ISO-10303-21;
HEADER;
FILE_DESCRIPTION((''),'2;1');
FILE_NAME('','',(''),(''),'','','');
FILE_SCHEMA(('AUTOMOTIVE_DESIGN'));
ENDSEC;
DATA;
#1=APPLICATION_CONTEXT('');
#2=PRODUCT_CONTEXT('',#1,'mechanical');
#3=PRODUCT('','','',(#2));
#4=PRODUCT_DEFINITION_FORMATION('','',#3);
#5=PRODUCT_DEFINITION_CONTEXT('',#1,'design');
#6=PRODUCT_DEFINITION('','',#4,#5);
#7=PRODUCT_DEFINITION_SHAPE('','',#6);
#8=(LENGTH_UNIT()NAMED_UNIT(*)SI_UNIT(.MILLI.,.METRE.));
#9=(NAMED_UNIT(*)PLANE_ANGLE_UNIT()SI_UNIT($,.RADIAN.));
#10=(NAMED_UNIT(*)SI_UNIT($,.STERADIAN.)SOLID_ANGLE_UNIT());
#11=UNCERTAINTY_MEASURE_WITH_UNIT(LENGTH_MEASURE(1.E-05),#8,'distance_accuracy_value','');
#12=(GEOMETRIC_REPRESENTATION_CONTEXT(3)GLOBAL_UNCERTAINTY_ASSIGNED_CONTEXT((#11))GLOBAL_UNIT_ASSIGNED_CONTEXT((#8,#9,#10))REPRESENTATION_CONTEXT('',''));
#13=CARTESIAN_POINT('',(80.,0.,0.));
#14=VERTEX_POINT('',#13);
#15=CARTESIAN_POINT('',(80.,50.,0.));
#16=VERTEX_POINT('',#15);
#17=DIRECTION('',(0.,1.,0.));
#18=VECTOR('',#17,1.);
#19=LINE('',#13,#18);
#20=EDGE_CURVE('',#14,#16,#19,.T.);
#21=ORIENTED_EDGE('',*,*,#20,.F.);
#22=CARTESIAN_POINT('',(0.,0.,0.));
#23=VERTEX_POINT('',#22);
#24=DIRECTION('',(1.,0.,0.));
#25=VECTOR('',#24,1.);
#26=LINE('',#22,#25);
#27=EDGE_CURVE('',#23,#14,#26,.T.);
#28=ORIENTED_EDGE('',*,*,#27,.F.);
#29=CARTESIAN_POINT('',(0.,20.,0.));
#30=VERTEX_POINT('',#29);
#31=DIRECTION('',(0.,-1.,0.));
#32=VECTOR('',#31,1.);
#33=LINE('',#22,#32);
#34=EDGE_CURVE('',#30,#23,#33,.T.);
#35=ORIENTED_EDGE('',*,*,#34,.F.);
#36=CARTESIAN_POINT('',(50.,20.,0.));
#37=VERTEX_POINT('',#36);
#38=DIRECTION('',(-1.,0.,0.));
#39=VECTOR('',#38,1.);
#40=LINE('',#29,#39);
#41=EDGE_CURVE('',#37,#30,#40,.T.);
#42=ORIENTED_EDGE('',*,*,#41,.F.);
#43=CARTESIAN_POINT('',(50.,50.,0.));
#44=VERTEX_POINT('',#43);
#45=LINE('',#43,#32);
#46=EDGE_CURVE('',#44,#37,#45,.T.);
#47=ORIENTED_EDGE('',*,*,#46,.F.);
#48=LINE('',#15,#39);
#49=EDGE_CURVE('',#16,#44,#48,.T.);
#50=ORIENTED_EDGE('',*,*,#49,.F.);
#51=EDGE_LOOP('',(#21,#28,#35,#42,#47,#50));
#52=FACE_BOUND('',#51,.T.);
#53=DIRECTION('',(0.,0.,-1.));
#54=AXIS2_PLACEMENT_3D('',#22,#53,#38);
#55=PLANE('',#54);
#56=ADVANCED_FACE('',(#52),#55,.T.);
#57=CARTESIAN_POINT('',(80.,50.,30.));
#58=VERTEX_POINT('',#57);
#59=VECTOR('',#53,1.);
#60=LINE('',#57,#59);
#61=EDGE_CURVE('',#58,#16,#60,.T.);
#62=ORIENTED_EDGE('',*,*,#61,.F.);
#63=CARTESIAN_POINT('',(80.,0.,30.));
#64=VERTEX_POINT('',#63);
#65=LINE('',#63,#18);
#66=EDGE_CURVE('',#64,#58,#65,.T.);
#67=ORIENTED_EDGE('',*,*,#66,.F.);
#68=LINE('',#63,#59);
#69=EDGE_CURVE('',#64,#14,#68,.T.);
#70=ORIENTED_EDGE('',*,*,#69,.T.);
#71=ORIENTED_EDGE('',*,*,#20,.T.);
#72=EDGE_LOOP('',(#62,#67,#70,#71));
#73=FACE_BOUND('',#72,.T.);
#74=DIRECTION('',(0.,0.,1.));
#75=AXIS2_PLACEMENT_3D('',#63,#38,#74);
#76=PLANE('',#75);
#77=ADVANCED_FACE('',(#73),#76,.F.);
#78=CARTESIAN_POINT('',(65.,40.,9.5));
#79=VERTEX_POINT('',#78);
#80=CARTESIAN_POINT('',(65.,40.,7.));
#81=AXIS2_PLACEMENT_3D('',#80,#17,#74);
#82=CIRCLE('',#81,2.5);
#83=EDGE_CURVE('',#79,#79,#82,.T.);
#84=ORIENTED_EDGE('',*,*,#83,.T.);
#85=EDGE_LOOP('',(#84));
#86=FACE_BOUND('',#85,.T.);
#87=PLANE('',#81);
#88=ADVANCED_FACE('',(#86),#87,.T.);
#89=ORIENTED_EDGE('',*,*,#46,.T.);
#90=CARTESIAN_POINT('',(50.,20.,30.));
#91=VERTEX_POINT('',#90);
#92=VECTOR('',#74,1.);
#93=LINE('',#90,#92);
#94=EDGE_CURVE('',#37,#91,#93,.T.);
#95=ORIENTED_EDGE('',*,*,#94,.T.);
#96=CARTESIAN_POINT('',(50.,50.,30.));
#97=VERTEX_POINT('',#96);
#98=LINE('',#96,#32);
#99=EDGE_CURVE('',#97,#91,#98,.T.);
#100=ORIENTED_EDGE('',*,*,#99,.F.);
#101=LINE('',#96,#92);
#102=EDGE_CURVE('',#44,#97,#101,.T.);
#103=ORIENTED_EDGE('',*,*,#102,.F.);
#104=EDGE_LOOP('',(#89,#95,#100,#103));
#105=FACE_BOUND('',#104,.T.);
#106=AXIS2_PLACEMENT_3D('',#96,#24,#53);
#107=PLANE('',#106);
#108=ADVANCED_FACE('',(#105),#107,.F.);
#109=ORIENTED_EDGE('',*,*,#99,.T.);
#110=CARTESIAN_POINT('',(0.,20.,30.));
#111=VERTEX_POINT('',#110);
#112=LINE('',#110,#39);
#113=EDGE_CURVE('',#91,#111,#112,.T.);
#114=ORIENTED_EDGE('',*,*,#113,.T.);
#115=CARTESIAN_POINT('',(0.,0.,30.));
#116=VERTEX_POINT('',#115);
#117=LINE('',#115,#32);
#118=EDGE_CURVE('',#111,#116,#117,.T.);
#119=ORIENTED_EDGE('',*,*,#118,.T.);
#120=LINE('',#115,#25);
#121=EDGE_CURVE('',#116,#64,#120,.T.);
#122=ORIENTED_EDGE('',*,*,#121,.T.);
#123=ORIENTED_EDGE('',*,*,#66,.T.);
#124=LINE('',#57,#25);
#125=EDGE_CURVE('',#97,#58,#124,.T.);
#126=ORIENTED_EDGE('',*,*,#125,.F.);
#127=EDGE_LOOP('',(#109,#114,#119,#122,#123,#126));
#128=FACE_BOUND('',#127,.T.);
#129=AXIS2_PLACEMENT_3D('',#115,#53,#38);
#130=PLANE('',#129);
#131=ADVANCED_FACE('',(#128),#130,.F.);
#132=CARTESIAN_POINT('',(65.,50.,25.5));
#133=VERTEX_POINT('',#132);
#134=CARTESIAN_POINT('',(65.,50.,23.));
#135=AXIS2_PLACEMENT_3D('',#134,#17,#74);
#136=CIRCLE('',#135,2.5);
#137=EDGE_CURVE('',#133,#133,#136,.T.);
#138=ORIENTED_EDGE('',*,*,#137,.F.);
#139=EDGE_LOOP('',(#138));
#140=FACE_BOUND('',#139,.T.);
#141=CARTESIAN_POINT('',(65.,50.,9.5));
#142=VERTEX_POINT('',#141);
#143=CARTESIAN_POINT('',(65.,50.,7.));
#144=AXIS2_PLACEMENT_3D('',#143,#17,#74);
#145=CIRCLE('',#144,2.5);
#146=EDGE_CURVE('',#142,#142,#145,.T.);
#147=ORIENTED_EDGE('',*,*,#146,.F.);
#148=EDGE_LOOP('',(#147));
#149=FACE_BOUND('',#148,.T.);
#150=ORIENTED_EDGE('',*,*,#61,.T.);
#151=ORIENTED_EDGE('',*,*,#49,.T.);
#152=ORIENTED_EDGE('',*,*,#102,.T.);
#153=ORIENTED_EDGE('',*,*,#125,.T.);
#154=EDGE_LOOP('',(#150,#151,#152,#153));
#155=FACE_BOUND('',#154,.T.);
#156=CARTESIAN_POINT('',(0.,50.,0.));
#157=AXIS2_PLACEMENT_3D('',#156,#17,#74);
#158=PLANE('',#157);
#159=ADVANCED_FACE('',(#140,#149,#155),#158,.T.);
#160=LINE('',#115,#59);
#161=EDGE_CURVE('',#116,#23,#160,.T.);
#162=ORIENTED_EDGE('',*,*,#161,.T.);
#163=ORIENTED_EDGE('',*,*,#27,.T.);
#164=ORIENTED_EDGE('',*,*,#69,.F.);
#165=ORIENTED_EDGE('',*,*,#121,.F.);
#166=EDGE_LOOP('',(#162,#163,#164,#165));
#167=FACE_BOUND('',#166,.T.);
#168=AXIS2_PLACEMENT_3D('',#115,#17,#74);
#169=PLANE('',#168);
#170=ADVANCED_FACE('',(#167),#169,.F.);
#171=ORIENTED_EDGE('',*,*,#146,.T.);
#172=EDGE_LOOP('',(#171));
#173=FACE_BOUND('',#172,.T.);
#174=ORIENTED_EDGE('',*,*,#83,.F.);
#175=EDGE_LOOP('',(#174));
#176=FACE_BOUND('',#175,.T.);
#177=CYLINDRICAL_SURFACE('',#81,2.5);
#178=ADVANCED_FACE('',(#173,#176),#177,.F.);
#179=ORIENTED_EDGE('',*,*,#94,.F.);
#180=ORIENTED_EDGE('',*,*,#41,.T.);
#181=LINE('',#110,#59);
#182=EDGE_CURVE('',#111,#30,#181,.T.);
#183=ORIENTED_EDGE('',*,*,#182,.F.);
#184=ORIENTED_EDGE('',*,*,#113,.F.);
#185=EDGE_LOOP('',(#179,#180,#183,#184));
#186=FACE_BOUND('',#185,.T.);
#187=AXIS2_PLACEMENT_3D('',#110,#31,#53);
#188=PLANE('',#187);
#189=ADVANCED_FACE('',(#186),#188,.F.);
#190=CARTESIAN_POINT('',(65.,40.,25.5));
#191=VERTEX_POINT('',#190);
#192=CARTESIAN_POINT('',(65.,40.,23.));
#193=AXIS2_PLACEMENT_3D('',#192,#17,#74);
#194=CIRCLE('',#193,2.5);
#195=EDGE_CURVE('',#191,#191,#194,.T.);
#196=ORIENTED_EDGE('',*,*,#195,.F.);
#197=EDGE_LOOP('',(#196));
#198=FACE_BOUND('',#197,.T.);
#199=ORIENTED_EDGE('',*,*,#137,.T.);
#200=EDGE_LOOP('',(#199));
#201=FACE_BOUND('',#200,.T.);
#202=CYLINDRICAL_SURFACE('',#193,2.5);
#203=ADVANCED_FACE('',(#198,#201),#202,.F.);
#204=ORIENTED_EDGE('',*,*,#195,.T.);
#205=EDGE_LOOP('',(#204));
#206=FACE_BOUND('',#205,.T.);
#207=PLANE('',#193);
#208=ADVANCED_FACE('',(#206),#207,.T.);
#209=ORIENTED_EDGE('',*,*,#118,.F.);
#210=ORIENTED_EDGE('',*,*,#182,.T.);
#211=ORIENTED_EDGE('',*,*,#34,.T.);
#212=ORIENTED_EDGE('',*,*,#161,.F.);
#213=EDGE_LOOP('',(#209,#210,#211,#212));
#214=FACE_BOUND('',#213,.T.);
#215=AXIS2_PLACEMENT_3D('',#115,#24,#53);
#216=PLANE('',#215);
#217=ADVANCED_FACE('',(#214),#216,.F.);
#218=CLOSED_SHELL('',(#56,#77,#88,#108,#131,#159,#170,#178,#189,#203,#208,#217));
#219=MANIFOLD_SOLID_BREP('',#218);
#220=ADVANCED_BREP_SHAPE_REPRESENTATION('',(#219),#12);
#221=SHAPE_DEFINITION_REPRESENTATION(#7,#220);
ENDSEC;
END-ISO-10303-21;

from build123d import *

# Parameters (mm, degrees)
SKETCH1_W           = 80
SKETCH1_H           = 20
BOSS_EXTRUDE1_DEPTH = 30
SKETCH13_W          = 30
SKETCH13_H          = 30
BOSS_EXTRUDE7_DEPTH = 30
SKETCH14_R          = 2.5
CUT_EXTRUDE1_DEPTH  = 10


with BuildPart() as part:
    # Sketch1 → Boss-Extrude1 (new body)
    with BuildSketch(Plane.XY):
        with Locations((40, 10)):
            Rectangle(SKETCH1_W, SKETCH1_H)
    extrude(amount=BOSS_EXTRUDE1_DEPTH)

    # Sketch13 → Boss-Extrude7 (add)
    with BuildSketch(Plane(origin=(0, 20, 0), x_dir=(1, 0, 0), z_dir=(0, 1, 0))):
        with Locations((65, -15)):
            Rectangle(SKETCH13_W, SKETCH13_H)
    extrude(amount=BOSS_EXTRUDE7_DEPTH)

    # Sketch14 → Cut-Extrude1 (cut)
    with BuildSketch(Plane(origin=(0, 50, 0), x_dir=(1, 0, 0), z_dir=(0, 1, 0))):
        with Locations(Location((65, -7, 0), (0, 0, 270))):
            Circle(SKETCH14_R)
        with Locations(Location((65, -23, 0), (0, 0, 270))):
            Circle(SKETCH14_R)
    extrude(amount=-CUT_EXTRUDE1_DEPTH, mode=Mode.SUBTRACT)


solid = part.part
